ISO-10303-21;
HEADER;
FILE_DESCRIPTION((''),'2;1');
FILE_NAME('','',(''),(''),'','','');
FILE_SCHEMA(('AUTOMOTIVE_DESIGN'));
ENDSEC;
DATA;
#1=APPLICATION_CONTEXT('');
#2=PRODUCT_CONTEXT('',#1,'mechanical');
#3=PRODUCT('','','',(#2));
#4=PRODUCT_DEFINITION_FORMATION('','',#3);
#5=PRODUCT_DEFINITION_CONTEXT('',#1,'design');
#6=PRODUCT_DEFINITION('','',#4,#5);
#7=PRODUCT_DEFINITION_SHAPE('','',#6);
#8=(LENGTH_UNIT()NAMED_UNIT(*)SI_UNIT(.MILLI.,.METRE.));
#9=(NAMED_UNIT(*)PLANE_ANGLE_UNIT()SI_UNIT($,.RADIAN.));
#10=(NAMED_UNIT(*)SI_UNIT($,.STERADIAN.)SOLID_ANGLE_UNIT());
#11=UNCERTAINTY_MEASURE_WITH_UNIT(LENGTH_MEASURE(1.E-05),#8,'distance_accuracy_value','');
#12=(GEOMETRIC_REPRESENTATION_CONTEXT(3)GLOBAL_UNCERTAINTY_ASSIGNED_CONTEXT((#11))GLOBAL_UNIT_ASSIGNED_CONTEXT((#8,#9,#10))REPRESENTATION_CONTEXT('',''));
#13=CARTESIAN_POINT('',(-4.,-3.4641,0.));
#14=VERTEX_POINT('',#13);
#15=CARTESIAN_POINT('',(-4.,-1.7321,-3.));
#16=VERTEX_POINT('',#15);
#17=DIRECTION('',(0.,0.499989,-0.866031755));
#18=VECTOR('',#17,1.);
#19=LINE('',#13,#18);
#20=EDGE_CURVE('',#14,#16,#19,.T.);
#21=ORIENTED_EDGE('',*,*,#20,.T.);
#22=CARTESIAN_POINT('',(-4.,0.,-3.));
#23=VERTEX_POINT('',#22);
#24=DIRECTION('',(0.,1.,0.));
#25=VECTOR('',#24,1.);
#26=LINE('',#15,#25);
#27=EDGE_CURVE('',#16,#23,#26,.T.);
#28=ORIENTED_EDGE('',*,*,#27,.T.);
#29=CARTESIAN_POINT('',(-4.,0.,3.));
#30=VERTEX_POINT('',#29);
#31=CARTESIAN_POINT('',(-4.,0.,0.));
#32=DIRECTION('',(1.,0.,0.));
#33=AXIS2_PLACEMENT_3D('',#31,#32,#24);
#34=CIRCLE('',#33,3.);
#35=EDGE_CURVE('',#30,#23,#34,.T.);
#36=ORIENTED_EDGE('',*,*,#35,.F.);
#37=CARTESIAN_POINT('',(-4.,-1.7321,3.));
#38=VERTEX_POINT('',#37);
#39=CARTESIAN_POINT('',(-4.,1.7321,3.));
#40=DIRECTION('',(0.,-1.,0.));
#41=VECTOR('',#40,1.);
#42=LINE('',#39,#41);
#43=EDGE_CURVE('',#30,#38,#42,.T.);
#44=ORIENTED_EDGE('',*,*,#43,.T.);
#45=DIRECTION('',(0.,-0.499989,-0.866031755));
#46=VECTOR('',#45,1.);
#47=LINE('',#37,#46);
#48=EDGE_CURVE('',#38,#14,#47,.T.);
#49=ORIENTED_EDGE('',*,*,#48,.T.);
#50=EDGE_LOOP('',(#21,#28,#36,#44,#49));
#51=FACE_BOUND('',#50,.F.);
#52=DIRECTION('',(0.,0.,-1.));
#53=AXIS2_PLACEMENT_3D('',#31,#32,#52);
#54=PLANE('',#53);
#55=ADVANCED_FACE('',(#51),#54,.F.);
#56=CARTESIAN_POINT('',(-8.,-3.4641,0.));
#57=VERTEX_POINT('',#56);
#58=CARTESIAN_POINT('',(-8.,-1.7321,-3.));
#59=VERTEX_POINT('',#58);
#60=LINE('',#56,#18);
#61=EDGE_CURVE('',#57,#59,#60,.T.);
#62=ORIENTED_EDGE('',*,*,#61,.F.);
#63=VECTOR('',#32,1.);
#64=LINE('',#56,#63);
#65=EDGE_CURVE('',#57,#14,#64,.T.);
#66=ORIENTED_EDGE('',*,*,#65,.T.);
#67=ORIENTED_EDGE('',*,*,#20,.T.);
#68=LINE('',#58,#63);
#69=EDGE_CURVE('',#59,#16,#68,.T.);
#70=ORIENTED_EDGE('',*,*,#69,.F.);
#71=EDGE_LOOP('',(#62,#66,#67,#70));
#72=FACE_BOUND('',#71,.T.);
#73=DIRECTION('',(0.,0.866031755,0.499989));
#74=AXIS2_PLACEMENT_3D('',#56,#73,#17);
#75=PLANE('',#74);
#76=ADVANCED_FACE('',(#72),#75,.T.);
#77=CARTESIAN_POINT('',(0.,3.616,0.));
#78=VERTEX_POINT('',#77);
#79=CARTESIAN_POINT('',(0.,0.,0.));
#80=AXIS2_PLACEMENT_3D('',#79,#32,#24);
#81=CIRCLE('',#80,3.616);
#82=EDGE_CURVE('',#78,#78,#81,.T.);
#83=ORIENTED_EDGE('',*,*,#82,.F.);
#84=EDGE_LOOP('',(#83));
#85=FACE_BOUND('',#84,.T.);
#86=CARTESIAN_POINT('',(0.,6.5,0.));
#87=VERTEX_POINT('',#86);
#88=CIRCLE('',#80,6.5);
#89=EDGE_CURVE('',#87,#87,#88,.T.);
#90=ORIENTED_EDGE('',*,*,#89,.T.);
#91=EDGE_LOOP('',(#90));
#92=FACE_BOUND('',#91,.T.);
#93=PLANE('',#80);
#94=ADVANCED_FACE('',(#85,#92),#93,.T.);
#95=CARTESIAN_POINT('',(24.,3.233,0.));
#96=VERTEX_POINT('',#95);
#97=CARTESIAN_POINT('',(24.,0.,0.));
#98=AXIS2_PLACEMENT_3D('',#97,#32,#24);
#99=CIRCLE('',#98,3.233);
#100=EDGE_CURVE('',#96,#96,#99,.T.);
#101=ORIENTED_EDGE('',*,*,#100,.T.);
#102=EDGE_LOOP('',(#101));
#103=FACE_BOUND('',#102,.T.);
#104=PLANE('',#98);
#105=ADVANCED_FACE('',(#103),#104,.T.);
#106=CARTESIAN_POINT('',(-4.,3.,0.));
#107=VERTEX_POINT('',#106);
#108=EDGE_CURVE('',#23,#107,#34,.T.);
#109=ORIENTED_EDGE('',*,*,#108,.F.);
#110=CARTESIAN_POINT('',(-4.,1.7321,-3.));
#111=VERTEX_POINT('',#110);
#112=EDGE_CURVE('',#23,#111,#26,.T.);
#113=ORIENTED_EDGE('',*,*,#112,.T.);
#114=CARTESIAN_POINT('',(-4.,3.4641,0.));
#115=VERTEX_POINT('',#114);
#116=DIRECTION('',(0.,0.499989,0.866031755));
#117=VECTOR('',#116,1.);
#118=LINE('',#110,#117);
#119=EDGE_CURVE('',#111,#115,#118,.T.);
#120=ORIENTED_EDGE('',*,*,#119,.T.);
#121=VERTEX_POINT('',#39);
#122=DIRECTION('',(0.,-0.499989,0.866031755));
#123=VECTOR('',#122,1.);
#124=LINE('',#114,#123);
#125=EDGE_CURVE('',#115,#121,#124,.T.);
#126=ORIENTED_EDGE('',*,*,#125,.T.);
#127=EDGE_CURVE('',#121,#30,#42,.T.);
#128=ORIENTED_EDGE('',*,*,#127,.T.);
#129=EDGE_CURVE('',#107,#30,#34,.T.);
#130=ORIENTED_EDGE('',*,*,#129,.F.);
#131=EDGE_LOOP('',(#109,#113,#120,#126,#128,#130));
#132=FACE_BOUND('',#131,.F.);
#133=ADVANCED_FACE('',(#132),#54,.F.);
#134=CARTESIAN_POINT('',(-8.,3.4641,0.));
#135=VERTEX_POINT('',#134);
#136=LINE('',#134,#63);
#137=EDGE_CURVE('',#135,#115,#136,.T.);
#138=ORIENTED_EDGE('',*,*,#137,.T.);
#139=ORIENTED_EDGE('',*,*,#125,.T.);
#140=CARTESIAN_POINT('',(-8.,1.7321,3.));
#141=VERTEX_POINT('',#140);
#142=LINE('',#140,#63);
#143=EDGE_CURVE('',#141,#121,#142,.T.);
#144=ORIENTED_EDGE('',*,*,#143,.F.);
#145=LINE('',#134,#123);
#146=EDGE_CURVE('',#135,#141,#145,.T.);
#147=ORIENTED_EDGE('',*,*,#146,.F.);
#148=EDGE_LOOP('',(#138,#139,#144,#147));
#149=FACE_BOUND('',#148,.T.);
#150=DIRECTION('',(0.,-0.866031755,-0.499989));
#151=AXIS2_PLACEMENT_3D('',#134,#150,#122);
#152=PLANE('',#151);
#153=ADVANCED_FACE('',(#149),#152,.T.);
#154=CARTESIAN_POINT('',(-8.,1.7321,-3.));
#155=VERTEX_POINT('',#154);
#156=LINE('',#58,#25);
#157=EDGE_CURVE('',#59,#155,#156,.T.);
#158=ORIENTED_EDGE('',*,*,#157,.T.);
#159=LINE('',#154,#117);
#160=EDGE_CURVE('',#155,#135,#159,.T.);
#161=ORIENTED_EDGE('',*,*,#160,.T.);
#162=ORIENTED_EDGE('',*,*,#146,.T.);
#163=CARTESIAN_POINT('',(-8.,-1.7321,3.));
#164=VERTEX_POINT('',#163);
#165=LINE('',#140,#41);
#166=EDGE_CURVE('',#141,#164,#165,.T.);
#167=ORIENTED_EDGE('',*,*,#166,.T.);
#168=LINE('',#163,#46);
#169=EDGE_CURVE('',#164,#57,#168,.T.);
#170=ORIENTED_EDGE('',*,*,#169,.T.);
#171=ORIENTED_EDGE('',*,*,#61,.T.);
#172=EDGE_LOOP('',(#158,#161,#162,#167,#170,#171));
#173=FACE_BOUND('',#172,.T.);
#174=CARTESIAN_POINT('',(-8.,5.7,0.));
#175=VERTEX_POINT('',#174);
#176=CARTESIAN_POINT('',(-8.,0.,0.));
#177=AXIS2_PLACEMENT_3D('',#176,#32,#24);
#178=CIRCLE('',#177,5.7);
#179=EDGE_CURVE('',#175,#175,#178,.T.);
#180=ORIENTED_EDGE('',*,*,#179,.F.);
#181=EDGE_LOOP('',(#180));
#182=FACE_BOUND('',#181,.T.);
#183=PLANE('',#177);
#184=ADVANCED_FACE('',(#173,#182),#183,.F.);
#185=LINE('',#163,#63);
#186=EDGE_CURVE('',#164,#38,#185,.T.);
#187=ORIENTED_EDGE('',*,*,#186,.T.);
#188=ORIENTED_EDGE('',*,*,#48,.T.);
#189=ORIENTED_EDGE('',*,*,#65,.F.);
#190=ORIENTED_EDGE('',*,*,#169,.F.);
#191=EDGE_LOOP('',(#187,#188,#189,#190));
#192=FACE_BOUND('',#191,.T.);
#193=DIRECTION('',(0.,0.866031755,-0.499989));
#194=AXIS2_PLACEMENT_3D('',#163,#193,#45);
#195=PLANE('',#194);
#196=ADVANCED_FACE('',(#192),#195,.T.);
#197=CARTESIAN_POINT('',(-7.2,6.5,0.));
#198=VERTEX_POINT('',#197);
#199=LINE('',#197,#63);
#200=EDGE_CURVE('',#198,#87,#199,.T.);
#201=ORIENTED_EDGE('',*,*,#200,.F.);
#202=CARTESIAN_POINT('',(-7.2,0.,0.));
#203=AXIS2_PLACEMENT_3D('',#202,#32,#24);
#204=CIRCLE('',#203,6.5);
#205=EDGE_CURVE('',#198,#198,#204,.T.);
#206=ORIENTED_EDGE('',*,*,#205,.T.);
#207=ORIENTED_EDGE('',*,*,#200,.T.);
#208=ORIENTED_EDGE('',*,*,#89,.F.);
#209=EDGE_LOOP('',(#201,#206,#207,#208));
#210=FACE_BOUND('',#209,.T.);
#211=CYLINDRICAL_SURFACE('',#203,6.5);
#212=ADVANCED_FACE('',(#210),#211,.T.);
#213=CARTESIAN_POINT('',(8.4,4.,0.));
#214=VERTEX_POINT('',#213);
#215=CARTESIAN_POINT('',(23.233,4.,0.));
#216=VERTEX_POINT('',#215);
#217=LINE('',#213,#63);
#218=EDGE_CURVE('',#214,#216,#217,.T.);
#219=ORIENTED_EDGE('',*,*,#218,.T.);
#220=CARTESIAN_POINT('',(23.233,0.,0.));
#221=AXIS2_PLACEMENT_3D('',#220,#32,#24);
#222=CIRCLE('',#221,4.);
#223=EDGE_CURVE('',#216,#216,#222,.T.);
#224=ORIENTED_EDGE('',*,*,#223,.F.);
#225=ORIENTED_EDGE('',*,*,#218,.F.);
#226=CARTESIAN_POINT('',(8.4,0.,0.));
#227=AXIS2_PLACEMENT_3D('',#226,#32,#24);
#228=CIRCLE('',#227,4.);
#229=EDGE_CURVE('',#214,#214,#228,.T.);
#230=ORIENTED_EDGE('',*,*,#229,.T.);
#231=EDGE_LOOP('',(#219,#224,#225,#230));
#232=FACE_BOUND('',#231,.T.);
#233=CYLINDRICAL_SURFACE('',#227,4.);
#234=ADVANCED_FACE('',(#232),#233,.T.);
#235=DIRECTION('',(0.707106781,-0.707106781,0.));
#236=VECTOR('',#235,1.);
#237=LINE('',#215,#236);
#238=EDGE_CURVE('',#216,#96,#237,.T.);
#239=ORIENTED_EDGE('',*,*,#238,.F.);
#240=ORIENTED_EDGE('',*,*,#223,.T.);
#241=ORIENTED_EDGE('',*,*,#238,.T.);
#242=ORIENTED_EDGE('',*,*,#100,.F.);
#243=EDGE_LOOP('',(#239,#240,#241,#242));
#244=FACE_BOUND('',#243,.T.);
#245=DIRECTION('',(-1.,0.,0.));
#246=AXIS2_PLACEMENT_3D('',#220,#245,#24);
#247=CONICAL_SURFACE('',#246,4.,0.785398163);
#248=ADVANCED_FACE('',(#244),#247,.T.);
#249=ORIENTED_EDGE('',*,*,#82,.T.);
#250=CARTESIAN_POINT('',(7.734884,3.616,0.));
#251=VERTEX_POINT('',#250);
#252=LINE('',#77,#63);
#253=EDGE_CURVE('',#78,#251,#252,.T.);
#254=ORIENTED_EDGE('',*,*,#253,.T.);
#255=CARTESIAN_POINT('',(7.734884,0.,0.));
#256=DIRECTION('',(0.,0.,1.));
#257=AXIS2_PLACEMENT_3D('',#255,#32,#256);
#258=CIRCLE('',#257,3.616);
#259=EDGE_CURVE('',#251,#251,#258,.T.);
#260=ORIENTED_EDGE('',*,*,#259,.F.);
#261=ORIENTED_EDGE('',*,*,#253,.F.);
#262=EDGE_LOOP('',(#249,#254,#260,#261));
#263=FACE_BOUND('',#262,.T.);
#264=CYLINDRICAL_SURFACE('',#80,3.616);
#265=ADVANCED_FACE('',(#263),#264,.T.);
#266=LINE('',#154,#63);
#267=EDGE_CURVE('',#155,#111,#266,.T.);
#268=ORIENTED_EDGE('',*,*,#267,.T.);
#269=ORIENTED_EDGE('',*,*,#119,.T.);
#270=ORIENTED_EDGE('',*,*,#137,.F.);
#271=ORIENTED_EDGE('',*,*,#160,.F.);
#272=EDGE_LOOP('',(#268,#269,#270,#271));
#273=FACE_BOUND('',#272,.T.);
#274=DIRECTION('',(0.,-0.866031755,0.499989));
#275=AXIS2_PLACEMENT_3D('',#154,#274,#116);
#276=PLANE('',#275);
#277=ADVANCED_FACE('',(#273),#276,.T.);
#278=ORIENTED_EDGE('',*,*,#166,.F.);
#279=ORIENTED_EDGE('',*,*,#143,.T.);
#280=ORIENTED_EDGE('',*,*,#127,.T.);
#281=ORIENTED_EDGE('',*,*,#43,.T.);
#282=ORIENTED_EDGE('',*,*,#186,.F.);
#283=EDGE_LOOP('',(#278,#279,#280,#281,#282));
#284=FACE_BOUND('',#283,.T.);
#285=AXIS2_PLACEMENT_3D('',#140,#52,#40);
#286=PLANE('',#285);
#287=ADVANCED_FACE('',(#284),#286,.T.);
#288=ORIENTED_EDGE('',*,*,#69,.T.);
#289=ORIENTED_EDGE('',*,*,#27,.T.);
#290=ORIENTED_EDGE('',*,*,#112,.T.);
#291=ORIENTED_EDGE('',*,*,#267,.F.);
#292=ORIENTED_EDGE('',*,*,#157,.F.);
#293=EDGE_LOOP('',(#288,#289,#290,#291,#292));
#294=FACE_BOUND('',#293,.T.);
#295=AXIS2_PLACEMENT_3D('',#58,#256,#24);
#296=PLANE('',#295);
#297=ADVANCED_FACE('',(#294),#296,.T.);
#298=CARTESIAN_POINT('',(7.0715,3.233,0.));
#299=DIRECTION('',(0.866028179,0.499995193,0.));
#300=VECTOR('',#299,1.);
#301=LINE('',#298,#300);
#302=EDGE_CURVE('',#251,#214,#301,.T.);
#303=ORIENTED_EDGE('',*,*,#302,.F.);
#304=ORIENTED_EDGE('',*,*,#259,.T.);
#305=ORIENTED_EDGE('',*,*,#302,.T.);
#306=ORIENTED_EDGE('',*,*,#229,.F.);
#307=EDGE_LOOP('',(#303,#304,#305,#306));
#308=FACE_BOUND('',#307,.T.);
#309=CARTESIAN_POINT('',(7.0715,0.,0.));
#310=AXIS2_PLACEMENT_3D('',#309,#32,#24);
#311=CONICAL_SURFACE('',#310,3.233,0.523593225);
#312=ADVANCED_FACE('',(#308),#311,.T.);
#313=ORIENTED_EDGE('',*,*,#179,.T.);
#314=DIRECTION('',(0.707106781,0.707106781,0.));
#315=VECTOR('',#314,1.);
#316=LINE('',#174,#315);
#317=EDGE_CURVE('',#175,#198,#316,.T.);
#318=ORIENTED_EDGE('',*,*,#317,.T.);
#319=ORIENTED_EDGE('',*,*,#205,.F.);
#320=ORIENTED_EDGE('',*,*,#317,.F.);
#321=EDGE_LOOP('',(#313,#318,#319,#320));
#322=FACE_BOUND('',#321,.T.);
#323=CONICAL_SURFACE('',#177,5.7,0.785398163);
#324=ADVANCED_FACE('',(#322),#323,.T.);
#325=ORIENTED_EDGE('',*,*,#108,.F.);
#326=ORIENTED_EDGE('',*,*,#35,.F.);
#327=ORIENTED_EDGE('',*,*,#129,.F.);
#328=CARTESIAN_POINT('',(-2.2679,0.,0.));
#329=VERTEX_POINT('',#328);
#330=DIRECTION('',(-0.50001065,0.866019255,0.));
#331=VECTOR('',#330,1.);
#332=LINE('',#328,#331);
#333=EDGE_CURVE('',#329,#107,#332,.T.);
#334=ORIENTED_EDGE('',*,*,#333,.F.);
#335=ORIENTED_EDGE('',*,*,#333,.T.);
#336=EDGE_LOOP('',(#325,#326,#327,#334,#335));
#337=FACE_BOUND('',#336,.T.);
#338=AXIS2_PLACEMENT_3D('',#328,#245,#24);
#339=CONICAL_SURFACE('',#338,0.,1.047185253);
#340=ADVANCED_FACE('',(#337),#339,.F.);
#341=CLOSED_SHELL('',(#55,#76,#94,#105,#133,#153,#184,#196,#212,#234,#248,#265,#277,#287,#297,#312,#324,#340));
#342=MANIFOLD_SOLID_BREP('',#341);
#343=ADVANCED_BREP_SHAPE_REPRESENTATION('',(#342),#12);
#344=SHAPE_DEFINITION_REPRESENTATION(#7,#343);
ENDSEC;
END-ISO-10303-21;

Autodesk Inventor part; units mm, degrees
sketch "Sketch_6" plane through (0, 0, 0) normal (0, 0, 1) x (1, 0, 0)
  line L0 (24, 0) -> (7.0715, 0)
  line L1 (7.0715, 0) -> (7.0715, 3.233)
  line L2 (7.0715, 3.233) -> (8.4, 4)
  line L3 (8.4, 4) -> (23.233, 4)
  line L4 (23.233, 4) -> (24, 3.233)
  line L5 (24, 3.233) -> (24, 0)
  line L6 (24, 0) -> (7.0715, 0)
revolve "Revolution1" add sketch "Sketch_6" angle 360 about axis through (24, 0, 0) along (1, 0, 0)
thread "Thread1" size "M8x1.25" class "6g" standard "ISO Metric profile" full length
sketch "Sketch_1" plane through (0, 0, 0) normal (0, 0, 1) x (1, 0, 0)
  line L0 (8.4, 0) -> (-8, 0)
  line L1 (-2.2679, 0) -> (-4, 3)
  line L2 (-4, 3) -> (-8, 3)
  line L3 (-8, 3) -> (-8, 5.7)
  line L4 (-8, 5.7) -> (-7.2, 6.5)
  line L5 (-7.2, 6.5) -> (0, 6.5)
  line L6 (0, 6.5) -> (0, 3.616)
  line L7 (0, 3.616) -> (8.4, 3.616)
  line L8 (8.4, 3.616) -> (8.4, 0)
  line L9 (8.4, 0) -> (-2.2679, 0)
revolve "Revolution2" add sketch "Sketch_1" angle 360 about axis through (8.4, 0, 0) along (1, 0, 0)
sketch "Sketch_2" plane through (-8, 0, 0) normal (1, 0, 0) x (0, 0, -1)
  line L0 (-3, -1.7321) -> (0, -3.4641)
  line L1 (0, -3.4641) -> (3, -1.7321)
  line L2 (3, -1.7321) -> (3, 1.7321)
  line L3 (3, 1.7321) -> (0, 3.4641)
  line L4 (0, 3.4641) -> (-3, 1.7321)
  line L5 (-3, 1.7321) -> (-3, -1.7321)
extrude "Extrusion1" cut sketch "Sketch_2" along normal blind 4
ref_plane "bolt_to_plane_washer_XY" through (5.6, 0, 0) normal (1, 0, 0) x (0, 0, -1)
ref_plane "bolt_to_plane_washer_YZ" through (5.6, 0, 0) normal (0, 0, -1) x (0, 1, 0)
ref_plane "bolt_to_plane_washer_ZX" through (5.6, 0, 0) normal (0, 1, 0) x (1, 0, 0)
ref_plane "bolt_to_spring_washer_XY" through (2.8, 0, 0) normal (1, 0, 0) x (0, 0, -1)
ref_plane "bolt_to_spring_washer_YZ" through (2.8, 0, 0) normal (0, 0, -1) x (0, 1, 0)
ref_plane "bolt_to_spring_washer_ZX" through (2.8, 0, 0) normal (0, 1, 0) x (1, 0, 0)
ref_plane "screw_to_body_XY" through (0, 0, 0) normal (1, 0, 0) x (0, 0, -1)
ref_plane "screw_to_body_YZ" through (0, 0, 0) normal (0, 0, -1) x (0, 1, 0)
ref_plane "screw_to_body_ZX" through (0, 0, 0) normal (0, 1, 0) x (1, 0, 0)
ref_plane "to_washer_XY" through (24, 0, 0) normal (1, 0, 0) x (0, 0, -1)
ref_plane "to_washer_YZ" through (24, 0, 0) normal (0, 0, -1) x (0, 1, 0)
ref_plane "to_washer_ZX" through (24, 0, 0) normal (0, 1, 0) x (1, 0, 0)
properties part number "HCBST8-24_Screw"
